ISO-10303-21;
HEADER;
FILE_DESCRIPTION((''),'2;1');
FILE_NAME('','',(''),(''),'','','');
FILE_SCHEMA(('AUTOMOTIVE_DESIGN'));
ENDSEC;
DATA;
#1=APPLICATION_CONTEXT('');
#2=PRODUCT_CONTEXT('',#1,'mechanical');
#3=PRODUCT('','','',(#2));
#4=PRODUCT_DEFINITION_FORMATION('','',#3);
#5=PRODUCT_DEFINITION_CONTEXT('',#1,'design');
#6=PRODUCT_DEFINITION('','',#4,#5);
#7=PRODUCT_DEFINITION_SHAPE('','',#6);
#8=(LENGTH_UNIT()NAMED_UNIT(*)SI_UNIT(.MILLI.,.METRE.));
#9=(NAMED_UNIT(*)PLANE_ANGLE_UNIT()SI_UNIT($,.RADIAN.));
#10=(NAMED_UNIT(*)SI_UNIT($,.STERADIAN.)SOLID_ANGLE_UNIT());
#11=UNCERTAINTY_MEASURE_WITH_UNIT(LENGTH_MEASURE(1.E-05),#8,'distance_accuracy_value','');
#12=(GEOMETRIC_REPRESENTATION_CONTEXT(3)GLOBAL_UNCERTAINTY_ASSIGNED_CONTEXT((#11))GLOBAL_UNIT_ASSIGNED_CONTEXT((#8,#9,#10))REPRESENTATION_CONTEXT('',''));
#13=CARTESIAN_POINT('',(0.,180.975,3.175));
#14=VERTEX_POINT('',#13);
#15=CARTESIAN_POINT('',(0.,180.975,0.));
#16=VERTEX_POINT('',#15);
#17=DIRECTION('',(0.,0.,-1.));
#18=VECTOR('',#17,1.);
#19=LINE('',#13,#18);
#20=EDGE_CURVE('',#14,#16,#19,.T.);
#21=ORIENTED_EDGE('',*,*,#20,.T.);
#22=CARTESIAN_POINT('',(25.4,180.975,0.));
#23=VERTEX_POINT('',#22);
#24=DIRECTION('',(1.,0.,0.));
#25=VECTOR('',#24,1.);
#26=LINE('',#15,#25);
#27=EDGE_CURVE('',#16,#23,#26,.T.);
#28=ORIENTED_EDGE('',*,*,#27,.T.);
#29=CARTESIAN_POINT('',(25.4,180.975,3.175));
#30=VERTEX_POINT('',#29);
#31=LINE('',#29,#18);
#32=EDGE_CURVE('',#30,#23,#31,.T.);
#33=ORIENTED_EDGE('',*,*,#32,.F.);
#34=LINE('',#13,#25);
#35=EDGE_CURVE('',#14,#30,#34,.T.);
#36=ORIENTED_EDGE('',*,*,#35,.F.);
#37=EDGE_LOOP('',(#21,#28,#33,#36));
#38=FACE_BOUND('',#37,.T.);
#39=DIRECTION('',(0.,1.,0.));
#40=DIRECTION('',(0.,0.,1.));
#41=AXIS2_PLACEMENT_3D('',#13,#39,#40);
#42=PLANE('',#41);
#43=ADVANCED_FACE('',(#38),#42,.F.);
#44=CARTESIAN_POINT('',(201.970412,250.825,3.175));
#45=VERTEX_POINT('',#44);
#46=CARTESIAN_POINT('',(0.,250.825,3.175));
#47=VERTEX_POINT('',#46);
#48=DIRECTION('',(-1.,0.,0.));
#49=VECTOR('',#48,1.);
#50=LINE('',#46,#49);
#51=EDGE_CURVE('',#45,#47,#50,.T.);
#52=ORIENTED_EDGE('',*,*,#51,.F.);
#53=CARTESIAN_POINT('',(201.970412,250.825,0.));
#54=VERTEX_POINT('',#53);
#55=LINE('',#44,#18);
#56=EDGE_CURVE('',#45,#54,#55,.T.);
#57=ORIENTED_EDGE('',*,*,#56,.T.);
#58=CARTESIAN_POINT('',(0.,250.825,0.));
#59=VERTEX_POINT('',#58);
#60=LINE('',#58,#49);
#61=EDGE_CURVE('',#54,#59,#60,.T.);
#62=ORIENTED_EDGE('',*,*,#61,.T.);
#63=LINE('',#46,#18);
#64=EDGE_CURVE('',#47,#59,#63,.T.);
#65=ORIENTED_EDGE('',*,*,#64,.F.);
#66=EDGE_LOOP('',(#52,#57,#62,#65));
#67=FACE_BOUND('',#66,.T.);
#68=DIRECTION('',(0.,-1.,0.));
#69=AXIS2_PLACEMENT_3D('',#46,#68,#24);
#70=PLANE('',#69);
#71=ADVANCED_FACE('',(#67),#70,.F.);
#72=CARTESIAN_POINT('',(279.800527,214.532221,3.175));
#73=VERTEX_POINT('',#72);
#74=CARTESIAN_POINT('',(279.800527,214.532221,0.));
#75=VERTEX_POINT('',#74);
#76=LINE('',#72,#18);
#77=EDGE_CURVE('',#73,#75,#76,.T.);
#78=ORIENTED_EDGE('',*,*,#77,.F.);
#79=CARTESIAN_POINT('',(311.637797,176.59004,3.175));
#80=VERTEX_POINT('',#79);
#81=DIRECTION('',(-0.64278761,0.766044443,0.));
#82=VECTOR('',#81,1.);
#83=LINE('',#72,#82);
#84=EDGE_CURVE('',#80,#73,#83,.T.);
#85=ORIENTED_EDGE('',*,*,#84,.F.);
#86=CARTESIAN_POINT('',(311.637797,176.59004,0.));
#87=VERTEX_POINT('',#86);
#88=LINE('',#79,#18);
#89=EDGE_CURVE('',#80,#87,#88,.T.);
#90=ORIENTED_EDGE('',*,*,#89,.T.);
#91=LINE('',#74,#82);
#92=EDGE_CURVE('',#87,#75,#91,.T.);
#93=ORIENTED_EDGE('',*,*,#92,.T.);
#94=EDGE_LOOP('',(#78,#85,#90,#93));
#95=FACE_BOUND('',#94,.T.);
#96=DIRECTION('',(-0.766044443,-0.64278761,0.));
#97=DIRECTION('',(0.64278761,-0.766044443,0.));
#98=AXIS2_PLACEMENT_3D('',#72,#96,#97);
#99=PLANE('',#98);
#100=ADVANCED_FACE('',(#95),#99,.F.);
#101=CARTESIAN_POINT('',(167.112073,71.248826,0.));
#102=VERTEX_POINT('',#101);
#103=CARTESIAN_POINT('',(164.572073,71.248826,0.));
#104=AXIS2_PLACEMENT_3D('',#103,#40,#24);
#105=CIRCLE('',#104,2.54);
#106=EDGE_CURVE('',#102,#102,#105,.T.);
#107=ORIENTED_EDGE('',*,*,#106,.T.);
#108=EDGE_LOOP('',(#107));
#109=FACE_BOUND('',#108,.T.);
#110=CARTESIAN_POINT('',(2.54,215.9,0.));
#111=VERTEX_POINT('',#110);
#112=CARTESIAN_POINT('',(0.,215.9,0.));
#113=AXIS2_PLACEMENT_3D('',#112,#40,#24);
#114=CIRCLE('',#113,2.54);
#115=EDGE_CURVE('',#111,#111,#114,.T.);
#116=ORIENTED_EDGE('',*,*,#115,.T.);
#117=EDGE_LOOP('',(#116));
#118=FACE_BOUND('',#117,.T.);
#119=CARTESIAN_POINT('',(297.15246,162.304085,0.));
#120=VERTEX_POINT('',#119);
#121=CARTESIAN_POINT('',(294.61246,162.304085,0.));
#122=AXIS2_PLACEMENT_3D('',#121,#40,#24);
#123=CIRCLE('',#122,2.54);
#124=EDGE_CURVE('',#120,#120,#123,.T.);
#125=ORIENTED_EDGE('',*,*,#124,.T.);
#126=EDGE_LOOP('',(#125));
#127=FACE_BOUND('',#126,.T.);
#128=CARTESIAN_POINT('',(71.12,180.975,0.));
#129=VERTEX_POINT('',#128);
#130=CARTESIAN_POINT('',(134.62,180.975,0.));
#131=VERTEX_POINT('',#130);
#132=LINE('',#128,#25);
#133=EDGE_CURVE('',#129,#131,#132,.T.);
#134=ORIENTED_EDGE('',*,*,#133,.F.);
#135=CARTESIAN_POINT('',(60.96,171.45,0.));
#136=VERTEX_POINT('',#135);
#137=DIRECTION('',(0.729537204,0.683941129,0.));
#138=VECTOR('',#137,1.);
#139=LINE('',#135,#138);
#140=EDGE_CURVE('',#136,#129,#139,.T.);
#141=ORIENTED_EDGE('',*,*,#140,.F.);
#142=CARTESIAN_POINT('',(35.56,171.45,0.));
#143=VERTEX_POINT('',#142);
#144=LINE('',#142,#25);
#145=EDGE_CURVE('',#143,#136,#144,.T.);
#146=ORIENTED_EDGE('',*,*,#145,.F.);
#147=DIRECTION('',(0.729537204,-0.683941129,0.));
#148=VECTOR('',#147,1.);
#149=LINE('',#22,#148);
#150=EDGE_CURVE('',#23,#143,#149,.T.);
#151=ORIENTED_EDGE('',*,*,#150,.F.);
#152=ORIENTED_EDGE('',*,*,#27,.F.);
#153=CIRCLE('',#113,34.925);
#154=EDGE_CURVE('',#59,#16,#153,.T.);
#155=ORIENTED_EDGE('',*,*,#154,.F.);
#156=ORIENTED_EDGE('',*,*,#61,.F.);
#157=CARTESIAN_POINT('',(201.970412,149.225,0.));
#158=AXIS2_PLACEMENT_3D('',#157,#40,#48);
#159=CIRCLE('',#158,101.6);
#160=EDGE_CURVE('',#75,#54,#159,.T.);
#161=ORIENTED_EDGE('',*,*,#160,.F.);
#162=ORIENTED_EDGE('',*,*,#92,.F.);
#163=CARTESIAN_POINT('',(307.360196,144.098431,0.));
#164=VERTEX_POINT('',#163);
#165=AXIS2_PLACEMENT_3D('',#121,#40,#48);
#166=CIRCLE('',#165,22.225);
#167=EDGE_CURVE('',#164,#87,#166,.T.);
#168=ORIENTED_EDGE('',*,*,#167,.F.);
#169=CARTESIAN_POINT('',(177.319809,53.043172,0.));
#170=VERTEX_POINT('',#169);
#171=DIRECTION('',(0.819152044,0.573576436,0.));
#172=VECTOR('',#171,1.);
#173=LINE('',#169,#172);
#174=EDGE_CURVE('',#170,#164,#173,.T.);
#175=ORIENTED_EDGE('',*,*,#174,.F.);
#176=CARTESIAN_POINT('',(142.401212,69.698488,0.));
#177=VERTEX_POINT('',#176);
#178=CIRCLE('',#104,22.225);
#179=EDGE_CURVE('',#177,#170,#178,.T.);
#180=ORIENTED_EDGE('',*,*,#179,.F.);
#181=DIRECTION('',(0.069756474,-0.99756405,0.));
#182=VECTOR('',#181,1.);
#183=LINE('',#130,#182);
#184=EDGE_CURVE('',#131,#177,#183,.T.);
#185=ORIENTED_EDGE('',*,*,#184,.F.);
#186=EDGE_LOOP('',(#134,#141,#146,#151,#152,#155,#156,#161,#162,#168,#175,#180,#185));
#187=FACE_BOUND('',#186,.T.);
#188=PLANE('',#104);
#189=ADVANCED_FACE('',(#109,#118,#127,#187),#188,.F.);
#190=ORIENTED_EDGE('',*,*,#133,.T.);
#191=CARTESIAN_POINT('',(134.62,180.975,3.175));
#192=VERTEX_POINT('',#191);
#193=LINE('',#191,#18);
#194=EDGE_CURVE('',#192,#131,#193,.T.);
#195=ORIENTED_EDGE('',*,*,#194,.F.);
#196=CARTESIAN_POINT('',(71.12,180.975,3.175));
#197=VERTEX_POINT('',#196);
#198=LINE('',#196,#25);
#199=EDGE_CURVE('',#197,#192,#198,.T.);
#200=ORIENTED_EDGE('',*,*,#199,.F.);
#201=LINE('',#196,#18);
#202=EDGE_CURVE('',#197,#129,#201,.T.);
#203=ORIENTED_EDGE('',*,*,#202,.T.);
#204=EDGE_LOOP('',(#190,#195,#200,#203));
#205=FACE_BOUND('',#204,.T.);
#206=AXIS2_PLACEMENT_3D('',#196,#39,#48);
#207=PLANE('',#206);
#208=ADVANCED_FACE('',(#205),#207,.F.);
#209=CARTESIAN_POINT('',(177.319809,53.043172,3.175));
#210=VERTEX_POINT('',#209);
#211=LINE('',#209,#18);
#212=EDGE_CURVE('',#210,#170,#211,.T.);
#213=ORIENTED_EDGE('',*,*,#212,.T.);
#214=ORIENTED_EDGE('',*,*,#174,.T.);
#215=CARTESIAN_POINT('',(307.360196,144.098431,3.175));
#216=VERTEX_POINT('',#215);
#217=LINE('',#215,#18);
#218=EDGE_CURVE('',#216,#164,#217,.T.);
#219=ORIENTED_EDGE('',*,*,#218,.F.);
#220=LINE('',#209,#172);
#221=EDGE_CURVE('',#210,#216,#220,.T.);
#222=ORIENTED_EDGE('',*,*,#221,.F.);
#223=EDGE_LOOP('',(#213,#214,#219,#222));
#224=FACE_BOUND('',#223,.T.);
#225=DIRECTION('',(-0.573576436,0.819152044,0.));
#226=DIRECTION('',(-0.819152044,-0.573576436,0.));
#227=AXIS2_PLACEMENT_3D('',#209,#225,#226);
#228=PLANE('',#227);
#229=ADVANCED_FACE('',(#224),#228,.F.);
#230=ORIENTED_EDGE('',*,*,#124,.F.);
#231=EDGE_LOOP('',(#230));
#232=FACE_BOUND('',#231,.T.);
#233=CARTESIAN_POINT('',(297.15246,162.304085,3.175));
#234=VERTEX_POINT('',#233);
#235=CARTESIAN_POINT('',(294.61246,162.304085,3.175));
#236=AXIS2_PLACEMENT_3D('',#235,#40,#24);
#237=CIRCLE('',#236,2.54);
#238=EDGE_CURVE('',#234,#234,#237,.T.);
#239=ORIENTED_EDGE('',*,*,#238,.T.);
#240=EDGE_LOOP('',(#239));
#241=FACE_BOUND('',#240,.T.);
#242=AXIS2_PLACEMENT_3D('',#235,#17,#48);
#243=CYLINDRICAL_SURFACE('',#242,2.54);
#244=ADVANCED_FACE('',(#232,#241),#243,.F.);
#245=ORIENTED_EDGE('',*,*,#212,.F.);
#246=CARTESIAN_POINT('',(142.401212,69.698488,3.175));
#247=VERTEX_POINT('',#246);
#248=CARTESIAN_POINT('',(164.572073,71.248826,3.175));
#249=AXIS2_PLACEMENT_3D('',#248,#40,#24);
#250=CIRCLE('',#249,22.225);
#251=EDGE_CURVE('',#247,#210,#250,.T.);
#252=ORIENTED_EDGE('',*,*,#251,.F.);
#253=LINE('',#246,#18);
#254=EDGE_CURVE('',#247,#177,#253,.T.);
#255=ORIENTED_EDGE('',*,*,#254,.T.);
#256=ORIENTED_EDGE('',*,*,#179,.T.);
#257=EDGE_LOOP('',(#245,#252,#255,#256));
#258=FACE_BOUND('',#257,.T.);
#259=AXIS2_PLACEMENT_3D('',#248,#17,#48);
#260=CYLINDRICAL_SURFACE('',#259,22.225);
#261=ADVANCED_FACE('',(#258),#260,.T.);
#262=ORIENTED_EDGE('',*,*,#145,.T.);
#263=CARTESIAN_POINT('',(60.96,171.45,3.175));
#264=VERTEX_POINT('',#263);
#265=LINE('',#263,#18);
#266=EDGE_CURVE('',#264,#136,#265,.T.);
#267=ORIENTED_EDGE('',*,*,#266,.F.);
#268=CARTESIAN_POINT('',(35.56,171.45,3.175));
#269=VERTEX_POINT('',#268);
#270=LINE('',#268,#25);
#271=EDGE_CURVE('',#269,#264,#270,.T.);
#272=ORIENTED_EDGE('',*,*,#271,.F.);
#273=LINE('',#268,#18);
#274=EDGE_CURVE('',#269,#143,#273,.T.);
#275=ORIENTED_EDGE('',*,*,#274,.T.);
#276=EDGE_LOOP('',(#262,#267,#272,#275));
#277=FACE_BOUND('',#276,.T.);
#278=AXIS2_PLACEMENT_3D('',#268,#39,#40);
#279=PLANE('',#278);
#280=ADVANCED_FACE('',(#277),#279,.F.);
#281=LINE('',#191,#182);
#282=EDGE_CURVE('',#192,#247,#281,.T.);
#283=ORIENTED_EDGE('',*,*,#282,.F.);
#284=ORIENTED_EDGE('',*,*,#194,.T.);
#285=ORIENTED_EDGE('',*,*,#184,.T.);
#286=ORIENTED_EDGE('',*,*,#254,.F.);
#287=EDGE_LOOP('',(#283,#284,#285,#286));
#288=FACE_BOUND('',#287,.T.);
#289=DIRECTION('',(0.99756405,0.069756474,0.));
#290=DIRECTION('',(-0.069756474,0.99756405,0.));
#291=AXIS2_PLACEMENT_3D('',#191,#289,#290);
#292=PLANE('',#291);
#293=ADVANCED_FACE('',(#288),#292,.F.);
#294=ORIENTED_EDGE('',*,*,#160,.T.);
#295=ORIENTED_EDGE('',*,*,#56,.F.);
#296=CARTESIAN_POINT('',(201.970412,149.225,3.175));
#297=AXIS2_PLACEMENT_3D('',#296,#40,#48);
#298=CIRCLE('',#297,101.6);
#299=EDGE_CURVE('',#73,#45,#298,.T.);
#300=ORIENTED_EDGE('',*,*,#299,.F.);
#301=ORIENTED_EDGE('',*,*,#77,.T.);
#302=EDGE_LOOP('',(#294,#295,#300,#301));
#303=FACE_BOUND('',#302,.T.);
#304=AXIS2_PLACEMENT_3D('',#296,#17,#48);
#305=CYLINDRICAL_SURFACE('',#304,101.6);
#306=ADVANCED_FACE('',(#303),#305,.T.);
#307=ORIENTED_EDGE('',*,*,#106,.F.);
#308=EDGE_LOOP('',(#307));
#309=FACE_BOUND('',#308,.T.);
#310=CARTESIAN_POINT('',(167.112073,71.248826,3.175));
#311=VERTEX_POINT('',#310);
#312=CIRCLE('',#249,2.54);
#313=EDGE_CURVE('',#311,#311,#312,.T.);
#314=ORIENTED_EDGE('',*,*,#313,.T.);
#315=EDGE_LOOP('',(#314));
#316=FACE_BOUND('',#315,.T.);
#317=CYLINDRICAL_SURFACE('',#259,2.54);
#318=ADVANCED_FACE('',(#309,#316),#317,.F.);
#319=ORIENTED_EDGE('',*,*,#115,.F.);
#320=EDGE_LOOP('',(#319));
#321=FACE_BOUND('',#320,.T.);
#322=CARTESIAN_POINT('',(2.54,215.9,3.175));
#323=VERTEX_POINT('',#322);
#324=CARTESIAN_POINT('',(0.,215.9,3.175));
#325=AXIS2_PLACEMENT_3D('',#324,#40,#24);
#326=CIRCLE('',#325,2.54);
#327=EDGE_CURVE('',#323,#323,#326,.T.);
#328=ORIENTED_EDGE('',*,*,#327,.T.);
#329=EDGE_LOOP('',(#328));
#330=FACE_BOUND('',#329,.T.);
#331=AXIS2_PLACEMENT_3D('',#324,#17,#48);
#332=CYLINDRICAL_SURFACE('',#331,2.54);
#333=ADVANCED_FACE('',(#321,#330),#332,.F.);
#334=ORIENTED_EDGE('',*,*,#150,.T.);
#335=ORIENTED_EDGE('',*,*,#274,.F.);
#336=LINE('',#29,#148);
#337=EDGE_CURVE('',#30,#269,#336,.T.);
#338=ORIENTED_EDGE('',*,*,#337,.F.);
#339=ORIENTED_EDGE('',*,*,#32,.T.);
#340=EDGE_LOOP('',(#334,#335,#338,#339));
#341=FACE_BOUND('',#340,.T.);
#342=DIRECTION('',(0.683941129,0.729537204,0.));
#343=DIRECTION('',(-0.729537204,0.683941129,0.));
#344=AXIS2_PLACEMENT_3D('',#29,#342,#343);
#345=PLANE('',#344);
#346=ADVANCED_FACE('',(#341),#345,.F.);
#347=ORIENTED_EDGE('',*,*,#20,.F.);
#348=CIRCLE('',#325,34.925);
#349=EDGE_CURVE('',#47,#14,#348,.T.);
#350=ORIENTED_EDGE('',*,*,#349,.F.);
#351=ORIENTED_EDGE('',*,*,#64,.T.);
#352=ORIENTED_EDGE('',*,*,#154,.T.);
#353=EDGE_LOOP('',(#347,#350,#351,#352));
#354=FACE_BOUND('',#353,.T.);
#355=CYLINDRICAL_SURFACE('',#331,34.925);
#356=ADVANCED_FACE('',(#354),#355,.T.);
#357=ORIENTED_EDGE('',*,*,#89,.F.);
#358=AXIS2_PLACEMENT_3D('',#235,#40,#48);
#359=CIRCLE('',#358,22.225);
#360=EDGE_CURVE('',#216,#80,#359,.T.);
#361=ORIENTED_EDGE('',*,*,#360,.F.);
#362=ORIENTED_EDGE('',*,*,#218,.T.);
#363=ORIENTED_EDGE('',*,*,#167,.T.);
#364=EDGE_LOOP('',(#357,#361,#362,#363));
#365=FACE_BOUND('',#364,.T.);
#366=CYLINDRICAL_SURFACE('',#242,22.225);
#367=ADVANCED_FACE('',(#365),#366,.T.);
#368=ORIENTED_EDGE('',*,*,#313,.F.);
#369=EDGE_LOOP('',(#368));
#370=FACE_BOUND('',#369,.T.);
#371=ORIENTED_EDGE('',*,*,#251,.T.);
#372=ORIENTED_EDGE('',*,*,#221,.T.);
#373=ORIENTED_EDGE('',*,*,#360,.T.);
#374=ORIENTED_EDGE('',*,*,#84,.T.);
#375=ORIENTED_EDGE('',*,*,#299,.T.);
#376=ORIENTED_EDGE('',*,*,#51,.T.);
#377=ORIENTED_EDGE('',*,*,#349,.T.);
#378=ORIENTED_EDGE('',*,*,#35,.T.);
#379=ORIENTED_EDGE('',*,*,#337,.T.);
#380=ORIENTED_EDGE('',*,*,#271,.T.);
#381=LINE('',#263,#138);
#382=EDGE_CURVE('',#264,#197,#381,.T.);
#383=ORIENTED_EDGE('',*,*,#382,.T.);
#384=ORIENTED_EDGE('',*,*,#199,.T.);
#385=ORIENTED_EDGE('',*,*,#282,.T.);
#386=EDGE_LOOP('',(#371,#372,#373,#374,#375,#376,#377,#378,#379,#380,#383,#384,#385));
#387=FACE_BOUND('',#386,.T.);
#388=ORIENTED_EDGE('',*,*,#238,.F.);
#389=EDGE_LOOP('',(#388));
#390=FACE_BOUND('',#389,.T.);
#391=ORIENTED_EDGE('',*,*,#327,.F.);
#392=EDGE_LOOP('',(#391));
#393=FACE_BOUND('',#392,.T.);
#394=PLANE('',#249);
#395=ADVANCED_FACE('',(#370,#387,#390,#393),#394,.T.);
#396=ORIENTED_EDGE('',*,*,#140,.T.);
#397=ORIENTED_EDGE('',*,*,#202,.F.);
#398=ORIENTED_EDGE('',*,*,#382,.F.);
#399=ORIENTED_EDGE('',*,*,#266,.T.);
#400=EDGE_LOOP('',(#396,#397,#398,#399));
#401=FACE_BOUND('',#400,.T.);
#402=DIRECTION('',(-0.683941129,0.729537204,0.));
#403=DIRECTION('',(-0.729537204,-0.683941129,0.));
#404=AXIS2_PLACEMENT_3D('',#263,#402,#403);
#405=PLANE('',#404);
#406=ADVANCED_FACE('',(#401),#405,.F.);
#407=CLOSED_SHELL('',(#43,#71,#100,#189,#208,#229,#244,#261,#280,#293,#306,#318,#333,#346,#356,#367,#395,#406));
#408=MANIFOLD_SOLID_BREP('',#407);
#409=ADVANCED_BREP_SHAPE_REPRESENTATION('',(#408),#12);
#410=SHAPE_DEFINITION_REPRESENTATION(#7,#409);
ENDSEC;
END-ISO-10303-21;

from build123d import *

# Parameters (mm, degrees)
SKETCH1_R           = 2.54
BOSS_EXTRUDE1_DEPTH = 3.175


with BuildPart() as part:
    # Sketch1 → Boss-Extrude1 (new body)
    with BuildSketch(Plane.XY):
        with BuildLine():
            Line((134.62, 180.975), (142.401211704, 69.698488351))
            ThreePointArc((142.401211704, 69.698488351), (155.003963594, 51.188868036), (177.319809019, 53.043171796))
            Line((177.319809019, 53.043171796), (307.36019605, 144.098431067))
            ThreePointArc((307.36019605, 144.098431067), (316.647321796, 159.403140629), (311.6377975, 176.590039876))
            Line((311.6377975, 176.590039876), (279.800527192, 214.532221144))
            ThreePointArc((279.800527192, 214.532221144), (244.908427164, 241.305871163), (201.970411771, 250.825))
            Line((201.970411771, 250.825), (0, 250.825))
            ThreePointArc((0, 250.825), (-34.925, 215.9), (0, 180.975))
            Line((0, 180.975), (25.4, 180.975))
            Line((25.4, 180.975), (35.56, 171.45))
            Line((35.56, 171.45), (60.96, 171.45))
            Line((60.96, 171.45), (71.12, 180.975))
            Line((71.12, 180.975), (134.62, 180.975))
        make_face()
        with Locations((294.612459752, 162.304085251)):
            Circle(SKETCH1_R, mode=Mode.SUBTRACT)
        with Locations((164.572072721, 71.24882598)):
            Circle(SKETCH1_R, mode=Mode.SUBTRACT)
        with Locations((0, 215.9)):
            Circle(SKETCH1_R, mode=Mode.SUBTRACT)
    extrude(amount=BOSS_EXTRUDE1_DEPTH)


solid = part.part
